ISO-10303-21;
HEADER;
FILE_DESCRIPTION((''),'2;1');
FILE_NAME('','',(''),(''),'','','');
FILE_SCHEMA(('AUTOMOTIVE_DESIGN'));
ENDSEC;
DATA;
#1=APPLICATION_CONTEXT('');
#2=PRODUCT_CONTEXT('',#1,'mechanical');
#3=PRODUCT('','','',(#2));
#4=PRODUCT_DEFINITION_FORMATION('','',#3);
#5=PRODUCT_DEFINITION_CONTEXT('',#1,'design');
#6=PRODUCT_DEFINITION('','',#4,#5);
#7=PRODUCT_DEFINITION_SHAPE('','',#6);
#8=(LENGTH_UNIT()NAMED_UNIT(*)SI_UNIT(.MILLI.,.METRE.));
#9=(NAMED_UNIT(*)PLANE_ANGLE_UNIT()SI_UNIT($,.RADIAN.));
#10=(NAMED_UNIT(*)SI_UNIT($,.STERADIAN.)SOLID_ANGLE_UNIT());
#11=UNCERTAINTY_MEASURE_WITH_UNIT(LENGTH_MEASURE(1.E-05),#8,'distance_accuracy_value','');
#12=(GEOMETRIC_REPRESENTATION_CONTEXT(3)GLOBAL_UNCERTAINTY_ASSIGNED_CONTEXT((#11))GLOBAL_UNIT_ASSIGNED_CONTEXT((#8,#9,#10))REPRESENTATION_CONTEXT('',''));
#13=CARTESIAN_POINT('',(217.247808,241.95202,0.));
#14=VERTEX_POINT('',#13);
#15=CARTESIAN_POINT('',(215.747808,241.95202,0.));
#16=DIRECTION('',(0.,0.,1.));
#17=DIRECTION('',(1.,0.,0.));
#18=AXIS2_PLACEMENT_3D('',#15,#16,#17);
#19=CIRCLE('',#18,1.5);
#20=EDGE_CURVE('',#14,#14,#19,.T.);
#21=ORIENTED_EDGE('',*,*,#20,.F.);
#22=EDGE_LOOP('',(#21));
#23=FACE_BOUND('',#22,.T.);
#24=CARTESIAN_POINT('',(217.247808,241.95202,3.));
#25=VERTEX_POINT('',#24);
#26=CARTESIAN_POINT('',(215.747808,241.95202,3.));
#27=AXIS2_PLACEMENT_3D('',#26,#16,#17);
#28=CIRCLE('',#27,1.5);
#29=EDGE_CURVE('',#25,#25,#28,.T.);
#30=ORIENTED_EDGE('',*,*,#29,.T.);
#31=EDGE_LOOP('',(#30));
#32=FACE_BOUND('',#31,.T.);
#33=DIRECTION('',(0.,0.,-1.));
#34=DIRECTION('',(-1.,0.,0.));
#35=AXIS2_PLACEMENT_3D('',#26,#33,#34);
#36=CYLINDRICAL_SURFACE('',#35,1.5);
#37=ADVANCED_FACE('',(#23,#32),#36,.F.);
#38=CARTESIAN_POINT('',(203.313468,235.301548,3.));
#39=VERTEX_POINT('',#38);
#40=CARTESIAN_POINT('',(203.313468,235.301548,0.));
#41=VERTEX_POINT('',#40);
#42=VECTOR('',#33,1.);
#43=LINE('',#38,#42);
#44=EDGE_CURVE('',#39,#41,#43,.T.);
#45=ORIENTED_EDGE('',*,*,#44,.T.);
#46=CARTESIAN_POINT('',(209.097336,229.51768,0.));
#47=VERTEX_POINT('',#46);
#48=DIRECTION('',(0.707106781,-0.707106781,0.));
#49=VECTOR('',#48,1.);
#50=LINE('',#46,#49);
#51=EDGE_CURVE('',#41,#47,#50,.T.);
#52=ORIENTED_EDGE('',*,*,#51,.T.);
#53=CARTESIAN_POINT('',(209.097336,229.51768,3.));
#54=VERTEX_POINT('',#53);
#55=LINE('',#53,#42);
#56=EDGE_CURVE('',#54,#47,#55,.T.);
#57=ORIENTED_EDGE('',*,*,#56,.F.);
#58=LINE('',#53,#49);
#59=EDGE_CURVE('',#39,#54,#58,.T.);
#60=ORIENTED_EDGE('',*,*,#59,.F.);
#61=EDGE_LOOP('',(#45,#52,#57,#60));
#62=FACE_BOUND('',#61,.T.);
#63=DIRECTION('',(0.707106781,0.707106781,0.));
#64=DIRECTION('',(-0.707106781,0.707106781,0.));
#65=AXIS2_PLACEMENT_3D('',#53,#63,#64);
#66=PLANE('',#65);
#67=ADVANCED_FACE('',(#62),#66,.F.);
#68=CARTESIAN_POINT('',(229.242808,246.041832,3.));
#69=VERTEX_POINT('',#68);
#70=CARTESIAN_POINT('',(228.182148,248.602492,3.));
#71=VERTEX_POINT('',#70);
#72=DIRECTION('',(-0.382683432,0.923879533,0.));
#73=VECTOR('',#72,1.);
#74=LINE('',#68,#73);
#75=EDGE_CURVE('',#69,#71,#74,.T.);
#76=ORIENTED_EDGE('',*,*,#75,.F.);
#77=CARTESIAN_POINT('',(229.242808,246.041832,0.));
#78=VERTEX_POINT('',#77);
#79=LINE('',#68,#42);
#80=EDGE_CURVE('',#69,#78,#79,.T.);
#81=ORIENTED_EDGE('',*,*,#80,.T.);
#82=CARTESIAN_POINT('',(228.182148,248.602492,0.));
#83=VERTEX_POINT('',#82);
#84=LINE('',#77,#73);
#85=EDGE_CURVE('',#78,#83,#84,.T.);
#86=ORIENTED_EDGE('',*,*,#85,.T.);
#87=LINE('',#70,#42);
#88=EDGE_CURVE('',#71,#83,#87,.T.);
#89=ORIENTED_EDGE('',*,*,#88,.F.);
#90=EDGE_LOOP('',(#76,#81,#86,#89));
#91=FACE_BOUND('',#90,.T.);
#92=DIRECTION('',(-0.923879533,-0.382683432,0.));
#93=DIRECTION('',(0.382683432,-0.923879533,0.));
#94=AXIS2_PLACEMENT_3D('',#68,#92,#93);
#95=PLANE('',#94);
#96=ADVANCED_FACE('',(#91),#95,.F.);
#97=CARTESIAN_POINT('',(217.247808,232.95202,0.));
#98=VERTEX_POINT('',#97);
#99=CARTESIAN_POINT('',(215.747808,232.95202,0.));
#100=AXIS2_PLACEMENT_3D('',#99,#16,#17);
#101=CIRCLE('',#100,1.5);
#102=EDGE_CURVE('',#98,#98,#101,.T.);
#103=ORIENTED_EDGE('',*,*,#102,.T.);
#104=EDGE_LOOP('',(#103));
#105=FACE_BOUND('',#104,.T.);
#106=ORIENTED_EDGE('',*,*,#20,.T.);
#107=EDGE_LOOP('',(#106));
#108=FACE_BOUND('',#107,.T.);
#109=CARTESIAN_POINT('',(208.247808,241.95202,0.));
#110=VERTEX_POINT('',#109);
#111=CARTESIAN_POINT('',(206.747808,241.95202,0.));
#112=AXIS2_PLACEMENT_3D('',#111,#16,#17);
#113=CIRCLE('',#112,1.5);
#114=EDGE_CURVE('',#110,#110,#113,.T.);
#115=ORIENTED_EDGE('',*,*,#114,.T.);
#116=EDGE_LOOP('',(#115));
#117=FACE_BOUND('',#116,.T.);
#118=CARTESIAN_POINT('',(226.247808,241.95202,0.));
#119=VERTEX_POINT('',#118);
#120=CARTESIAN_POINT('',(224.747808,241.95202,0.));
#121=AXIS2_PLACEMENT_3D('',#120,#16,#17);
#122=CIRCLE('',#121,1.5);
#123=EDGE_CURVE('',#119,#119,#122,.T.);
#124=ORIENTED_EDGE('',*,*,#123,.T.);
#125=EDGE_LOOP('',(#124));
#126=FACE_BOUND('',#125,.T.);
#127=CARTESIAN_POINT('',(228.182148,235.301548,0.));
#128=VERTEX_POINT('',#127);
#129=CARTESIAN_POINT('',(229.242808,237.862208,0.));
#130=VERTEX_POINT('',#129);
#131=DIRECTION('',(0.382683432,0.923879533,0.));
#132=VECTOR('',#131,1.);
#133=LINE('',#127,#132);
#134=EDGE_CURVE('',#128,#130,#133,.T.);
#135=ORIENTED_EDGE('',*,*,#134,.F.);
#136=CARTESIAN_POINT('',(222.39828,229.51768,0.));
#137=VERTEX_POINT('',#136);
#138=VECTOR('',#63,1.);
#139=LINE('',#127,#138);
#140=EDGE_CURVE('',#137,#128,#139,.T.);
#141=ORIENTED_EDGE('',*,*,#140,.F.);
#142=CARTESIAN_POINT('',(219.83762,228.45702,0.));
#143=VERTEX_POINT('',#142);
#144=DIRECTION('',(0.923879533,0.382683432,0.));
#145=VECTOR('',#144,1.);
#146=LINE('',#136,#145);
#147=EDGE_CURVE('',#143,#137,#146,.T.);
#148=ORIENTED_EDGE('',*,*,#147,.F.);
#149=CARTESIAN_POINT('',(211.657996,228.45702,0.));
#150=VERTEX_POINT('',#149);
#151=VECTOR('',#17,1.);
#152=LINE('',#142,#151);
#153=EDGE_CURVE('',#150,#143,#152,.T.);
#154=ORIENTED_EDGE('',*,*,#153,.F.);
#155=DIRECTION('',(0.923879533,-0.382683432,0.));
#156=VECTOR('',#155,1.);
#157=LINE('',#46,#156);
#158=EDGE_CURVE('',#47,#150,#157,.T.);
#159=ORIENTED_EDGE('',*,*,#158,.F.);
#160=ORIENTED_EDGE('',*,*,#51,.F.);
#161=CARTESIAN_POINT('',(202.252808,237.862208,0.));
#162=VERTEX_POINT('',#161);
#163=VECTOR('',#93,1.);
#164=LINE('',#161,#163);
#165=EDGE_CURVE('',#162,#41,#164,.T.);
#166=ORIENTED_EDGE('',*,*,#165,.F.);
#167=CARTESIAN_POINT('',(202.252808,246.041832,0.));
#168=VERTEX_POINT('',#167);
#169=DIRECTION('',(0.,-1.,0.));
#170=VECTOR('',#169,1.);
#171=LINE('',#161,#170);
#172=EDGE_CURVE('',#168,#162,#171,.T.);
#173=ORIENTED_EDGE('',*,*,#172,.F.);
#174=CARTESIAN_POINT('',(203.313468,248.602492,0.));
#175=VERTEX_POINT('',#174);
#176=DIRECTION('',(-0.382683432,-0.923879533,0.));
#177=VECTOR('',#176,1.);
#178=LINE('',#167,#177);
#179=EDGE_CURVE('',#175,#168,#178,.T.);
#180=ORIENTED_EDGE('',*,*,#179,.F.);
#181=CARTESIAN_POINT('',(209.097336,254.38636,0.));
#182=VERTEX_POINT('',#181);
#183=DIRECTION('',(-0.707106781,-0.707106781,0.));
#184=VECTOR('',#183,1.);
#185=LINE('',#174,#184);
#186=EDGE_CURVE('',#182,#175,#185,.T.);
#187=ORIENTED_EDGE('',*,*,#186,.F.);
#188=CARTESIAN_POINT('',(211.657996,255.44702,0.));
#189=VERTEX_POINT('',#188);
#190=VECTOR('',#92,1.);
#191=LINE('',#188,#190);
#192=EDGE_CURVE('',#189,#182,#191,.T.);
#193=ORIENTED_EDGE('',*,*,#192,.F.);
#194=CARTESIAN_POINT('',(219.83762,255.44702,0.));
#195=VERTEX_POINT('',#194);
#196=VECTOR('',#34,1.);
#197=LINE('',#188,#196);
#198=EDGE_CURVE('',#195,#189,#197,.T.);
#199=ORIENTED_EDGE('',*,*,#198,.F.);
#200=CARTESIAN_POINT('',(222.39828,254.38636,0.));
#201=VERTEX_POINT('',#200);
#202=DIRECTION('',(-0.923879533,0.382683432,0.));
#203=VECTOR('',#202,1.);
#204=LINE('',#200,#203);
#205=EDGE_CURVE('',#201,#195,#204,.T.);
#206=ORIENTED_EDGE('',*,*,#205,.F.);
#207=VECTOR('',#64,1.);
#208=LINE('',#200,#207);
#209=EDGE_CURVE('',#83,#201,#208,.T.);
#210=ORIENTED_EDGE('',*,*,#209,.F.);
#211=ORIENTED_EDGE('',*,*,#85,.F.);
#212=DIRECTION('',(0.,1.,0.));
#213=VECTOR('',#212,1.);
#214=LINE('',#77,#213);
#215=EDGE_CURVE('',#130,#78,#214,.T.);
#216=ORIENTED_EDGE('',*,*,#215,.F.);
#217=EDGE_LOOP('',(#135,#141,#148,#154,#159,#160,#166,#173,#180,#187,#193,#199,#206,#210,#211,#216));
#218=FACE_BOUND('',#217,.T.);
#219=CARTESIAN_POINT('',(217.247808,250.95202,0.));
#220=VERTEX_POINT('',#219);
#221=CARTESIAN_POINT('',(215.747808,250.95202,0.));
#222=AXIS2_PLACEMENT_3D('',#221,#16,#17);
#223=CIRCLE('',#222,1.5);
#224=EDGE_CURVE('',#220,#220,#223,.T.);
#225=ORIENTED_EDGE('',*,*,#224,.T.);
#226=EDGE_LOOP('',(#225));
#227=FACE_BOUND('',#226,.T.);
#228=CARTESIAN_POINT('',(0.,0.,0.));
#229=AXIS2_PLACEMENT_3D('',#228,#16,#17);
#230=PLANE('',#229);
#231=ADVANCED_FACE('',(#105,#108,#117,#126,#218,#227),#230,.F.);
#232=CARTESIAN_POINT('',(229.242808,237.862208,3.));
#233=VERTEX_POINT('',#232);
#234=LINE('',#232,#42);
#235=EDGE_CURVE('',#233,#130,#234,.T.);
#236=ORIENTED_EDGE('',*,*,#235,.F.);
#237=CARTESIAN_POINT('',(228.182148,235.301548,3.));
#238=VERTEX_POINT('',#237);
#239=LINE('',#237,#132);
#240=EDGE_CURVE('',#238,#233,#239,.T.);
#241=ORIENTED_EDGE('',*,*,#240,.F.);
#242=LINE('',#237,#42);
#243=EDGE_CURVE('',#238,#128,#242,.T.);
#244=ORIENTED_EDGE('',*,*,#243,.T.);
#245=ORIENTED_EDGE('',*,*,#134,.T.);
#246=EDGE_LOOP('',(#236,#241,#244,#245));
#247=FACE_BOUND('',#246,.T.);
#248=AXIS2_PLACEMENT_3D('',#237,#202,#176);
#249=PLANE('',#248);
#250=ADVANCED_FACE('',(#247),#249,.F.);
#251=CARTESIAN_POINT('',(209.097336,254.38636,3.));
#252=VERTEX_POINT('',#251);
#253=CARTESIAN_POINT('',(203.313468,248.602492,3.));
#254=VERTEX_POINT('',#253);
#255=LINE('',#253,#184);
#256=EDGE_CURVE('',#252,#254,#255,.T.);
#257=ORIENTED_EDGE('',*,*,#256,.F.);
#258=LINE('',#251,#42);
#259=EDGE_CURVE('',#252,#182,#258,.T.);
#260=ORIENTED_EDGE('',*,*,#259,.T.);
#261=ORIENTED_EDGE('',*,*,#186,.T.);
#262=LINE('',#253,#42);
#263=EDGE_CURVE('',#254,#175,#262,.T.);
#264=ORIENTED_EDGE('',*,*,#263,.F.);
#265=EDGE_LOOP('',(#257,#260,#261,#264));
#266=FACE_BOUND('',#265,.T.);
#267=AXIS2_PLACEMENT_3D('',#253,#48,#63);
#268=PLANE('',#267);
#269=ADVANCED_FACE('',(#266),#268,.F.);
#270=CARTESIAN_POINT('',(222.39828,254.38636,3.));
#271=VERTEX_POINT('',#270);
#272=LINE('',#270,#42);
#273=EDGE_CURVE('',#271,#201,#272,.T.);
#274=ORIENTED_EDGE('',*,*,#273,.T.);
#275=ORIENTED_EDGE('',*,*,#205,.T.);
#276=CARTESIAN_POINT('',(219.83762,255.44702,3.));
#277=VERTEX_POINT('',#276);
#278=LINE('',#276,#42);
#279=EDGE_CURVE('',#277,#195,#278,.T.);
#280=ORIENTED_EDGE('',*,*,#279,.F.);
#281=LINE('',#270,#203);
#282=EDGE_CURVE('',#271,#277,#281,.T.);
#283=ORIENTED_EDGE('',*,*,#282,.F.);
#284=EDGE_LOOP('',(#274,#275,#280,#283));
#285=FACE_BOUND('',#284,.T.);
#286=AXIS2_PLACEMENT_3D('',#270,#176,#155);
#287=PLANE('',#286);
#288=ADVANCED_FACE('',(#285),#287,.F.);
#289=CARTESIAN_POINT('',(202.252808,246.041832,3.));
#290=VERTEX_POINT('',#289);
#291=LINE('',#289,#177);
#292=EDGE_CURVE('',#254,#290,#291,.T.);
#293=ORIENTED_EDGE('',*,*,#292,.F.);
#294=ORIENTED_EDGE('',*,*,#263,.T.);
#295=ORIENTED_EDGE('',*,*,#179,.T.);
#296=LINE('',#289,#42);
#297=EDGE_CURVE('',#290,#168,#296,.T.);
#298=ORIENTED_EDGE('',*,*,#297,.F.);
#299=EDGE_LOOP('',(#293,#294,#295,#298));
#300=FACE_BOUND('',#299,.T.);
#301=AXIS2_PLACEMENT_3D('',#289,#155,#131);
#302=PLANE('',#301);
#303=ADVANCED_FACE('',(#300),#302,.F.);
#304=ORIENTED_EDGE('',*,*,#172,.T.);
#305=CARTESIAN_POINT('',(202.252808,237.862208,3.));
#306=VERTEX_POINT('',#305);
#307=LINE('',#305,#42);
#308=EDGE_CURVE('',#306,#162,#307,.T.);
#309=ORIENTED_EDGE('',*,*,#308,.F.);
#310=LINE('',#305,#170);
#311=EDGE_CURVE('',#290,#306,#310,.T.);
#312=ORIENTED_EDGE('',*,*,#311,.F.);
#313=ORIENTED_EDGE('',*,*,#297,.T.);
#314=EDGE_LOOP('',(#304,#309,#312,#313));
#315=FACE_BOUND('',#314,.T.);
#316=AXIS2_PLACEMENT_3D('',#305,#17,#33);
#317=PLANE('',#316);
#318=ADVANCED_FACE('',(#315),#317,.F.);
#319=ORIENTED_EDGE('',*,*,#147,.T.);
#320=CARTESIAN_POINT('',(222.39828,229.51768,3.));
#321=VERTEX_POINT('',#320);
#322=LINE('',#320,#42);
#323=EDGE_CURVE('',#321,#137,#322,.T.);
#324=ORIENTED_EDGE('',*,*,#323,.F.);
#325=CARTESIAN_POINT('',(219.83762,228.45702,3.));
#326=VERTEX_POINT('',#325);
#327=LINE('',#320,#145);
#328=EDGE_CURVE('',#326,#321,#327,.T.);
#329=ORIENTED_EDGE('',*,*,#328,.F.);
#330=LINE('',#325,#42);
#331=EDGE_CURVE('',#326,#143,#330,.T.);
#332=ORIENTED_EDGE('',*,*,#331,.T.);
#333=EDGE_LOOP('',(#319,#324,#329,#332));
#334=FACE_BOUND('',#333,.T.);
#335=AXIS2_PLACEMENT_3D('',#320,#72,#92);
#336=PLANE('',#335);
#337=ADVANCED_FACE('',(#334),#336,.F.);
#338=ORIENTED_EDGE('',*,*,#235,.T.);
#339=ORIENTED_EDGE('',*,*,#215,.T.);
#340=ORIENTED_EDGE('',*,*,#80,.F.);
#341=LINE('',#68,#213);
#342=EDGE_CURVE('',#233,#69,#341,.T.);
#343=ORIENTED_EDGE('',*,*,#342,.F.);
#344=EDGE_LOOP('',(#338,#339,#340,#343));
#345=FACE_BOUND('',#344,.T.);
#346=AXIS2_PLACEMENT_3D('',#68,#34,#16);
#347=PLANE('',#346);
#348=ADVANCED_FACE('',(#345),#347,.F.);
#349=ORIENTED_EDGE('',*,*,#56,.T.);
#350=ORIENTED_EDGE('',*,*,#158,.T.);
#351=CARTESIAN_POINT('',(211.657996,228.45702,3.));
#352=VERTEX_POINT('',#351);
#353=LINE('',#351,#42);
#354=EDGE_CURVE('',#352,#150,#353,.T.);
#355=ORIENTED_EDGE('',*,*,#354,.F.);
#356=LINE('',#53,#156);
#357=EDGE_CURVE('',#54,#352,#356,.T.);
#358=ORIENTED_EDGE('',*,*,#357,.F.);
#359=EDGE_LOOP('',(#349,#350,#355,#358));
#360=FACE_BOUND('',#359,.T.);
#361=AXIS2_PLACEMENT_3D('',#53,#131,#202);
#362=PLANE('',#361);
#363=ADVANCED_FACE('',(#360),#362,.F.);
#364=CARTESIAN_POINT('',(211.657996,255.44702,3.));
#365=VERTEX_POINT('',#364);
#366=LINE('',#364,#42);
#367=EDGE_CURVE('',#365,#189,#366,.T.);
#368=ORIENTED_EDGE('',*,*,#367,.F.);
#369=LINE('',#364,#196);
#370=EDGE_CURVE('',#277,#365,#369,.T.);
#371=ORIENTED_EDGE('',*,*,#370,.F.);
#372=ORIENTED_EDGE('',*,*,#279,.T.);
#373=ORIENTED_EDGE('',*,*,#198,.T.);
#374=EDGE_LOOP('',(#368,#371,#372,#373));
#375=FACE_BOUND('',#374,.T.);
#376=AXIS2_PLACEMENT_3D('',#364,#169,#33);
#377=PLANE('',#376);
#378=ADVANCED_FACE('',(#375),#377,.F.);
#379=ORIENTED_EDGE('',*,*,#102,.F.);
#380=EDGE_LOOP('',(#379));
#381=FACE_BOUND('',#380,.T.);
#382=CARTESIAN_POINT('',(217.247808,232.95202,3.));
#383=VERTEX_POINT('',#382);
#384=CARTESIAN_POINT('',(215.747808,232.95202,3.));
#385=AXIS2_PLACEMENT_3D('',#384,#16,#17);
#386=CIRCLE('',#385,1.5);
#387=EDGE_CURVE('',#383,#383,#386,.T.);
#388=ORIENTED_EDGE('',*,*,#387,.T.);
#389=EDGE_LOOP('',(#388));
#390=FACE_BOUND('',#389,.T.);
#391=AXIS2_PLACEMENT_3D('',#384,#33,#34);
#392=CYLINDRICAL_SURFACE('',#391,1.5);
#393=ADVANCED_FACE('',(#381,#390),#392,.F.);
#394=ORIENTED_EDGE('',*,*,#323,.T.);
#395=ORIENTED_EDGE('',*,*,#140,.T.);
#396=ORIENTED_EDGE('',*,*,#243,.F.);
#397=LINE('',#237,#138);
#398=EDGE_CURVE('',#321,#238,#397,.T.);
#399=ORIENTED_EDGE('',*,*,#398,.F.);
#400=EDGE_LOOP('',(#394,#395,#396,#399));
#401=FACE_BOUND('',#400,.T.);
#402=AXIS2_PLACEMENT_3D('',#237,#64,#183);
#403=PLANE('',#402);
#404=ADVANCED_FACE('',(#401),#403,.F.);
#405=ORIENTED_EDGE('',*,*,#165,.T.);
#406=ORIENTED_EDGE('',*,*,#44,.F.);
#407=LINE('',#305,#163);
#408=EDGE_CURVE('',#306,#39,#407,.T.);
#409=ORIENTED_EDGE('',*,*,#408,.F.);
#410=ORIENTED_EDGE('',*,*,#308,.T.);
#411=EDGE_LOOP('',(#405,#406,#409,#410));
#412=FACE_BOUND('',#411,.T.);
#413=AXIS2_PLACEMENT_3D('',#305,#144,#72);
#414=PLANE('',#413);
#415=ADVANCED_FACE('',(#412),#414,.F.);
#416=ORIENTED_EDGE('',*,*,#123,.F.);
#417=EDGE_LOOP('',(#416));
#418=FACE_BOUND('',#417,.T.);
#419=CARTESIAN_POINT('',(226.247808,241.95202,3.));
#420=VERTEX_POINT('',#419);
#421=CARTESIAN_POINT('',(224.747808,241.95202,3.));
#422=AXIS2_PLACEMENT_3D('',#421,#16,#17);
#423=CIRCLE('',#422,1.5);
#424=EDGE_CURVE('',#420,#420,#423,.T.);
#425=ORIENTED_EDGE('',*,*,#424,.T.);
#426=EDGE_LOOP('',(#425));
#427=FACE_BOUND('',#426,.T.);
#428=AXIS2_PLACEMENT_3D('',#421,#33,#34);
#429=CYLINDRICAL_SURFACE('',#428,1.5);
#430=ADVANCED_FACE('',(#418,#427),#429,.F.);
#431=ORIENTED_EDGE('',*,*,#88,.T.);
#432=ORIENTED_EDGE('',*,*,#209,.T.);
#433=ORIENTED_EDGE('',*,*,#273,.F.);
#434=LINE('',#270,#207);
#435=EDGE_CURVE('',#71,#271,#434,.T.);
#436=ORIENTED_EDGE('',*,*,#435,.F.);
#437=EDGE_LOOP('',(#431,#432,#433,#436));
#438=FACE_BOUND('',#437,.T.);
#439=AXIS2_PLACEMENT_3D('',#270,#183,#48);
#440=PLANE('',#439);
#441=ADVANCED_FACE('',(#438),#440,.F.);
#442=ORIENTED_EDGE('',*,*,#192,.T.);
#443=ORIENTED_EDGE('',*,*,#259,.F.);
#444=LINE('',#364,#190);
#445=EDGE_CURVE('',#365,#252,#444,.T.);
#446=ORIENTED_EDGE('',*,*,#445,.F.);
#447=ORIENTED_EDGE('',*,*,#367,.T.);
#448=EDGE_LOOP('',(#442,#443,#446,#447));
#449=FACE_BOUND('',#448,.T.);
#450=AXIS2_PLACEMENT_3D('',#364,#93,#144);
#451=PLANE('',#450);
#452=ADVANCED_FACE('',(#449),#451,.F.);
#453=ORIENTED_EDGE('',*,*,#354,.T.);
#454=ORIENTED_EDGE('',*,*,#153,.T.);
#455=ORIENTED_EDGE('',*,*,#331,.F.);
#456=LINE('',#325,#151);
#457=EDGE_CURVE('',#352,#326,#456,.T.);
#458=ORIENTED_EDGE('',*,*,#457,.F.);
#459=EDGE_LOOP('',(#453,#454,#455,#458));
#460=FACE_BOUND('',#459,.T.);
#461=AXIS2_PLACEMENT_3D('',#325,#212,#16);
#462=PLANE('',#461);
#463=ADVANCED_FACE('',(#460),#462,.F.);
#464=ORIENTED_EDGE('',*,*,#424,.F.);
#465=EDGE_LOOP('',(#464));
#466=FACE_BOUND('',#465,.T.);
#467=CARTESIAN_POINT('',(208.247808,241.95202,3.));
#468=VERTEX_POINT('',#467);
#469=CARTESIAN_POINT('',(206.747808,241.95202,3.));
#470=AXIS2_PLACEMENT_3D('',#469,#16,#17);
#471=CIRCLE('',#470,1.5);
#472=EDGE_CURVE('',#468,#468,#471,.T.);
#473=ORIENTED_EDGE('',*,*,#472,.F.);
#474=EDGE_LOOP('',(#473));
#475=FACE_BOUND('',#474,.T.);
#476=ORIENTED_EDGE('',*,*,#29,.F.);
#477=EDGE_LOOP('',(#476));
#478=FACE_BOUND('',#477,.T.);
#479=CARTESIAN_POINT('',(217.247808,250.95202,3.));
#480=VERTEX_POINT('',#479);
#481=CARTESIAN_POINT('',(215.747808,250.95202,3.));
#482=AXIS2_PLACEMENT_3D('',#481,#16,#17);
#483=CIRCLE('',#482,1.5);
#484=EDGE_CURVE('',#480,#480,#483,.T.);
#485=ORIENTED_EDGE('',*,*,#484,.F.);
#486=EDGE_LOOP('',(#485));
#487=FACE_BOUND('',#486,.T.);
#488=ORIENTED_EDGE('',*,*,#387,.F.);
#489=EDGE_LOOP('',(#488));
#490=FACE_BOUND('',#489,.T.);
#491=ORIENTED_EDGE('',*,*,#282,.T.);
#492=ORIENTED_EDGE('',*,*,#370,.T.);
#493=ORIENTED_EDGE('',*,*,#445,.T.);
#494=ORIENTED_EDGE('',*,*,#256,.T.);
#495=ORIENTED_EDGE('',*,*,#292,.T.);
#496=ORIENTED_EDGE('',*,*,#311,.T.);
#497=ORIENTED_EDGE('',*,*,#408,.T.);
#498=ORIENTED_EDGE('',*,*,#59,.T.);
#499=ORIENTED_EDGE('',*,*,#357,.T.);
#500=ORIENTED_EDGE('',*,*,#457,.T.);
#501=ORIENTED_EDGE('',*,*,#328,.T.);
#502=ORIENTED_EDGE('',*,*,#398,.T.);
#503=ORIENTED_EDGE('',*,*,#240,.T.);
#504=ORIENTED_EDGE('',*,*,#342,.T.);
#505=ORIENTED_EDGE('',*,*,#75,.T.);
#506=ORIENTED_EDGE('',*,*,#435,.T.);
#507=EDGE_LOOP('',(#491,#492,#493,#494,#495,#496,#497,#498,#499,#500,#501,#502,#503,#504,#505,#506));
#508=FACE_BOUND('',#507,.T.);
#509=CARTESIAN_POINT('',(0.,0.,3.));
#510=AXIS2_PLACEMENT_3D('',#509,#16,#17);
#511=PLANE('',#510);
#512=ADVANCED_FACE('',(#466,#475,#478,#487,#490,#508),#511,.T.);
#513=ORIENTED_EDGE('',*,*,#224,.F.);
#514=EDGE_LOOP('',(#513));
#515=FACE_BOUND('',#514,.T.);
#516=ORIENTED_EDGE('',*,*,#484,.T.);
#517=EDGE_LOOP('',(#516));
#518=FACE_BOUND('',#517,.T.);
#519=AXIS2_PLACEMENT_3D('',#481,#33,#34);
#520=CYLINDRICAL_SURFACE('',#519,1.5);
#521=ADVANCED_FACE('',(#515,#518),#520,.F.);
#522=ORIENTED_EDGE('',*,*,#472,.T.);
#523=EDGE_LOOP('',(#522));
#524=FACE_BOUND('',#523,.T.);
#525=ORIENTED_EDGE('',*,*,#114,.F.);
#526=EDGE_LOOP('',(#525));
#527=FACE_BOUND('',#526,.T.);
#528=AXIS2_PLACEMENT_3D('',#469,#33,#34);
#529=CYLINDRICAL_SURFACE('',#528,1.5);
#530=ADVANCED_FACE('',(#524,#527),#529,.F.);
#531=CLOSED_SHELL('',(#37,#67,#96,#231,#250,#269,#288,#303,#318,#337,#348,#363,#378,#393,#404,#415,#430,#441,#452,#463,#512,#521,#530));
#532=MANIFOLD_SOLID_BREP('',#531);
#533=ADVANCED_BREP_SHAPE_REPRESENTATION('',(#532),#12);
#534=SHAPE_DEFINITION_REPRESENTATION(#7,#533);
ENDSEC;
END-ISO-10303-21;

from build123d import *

# Parameters (mm, degrees)
MODEL_R                 = 1.5
SALIENTE_EXTRUIR1_DEPTH = 3


with BuildPart() as part:
    # Model → Saliente-Extruir1 (new body)
    with BuildSketch(Plane.XY):
        Polygon((219.837619938, 228.457019993), (211.657995889, 228.457019993), (209.097335717, 229.517680165), (203.313468085, 235.301547797), (202.252807913, 237.862207969), (202.252807913, 246.041832017), (203.313468085, 248.602492189), (209.097335717, 254.386359821), (211.657995889, 255.447019993), (219.837619938, 255.447019993), (222.39828011, 254.386359821), (228.182147742, 248.602492189), (229.242807914, 246.041832017), (229.242807914, 237.862207969), (228.182147742, 235.301547797), (222.39828011, 229.517680165), align=None)
        with Locations((215.747807914, 241.952019993)):
            Circle(MODEL_R, mode=Mode.SUBTRACT)
        with Locations((215.747807914, 232.952019993)):
            Circle(MODEL_R, mode=Mode.SUBTRACT)
        with Locations((215.747807914, 250.952019993)):
            Circle(MODEL_R, mode=Mode.SUBTRACT)
        with Locations((224.747807913, 241.952019993)):
            Circle(MODEL_R, mode=Mode.SUBTRACT)
        with Locations((206.747807913, 241.952019993)):
            Circle(MODEL_R, mode=Mode.SUBTRACT)
    extrude(amount=SALIENTE_EXTRUIR1_DEPTH)


solid = part.part
